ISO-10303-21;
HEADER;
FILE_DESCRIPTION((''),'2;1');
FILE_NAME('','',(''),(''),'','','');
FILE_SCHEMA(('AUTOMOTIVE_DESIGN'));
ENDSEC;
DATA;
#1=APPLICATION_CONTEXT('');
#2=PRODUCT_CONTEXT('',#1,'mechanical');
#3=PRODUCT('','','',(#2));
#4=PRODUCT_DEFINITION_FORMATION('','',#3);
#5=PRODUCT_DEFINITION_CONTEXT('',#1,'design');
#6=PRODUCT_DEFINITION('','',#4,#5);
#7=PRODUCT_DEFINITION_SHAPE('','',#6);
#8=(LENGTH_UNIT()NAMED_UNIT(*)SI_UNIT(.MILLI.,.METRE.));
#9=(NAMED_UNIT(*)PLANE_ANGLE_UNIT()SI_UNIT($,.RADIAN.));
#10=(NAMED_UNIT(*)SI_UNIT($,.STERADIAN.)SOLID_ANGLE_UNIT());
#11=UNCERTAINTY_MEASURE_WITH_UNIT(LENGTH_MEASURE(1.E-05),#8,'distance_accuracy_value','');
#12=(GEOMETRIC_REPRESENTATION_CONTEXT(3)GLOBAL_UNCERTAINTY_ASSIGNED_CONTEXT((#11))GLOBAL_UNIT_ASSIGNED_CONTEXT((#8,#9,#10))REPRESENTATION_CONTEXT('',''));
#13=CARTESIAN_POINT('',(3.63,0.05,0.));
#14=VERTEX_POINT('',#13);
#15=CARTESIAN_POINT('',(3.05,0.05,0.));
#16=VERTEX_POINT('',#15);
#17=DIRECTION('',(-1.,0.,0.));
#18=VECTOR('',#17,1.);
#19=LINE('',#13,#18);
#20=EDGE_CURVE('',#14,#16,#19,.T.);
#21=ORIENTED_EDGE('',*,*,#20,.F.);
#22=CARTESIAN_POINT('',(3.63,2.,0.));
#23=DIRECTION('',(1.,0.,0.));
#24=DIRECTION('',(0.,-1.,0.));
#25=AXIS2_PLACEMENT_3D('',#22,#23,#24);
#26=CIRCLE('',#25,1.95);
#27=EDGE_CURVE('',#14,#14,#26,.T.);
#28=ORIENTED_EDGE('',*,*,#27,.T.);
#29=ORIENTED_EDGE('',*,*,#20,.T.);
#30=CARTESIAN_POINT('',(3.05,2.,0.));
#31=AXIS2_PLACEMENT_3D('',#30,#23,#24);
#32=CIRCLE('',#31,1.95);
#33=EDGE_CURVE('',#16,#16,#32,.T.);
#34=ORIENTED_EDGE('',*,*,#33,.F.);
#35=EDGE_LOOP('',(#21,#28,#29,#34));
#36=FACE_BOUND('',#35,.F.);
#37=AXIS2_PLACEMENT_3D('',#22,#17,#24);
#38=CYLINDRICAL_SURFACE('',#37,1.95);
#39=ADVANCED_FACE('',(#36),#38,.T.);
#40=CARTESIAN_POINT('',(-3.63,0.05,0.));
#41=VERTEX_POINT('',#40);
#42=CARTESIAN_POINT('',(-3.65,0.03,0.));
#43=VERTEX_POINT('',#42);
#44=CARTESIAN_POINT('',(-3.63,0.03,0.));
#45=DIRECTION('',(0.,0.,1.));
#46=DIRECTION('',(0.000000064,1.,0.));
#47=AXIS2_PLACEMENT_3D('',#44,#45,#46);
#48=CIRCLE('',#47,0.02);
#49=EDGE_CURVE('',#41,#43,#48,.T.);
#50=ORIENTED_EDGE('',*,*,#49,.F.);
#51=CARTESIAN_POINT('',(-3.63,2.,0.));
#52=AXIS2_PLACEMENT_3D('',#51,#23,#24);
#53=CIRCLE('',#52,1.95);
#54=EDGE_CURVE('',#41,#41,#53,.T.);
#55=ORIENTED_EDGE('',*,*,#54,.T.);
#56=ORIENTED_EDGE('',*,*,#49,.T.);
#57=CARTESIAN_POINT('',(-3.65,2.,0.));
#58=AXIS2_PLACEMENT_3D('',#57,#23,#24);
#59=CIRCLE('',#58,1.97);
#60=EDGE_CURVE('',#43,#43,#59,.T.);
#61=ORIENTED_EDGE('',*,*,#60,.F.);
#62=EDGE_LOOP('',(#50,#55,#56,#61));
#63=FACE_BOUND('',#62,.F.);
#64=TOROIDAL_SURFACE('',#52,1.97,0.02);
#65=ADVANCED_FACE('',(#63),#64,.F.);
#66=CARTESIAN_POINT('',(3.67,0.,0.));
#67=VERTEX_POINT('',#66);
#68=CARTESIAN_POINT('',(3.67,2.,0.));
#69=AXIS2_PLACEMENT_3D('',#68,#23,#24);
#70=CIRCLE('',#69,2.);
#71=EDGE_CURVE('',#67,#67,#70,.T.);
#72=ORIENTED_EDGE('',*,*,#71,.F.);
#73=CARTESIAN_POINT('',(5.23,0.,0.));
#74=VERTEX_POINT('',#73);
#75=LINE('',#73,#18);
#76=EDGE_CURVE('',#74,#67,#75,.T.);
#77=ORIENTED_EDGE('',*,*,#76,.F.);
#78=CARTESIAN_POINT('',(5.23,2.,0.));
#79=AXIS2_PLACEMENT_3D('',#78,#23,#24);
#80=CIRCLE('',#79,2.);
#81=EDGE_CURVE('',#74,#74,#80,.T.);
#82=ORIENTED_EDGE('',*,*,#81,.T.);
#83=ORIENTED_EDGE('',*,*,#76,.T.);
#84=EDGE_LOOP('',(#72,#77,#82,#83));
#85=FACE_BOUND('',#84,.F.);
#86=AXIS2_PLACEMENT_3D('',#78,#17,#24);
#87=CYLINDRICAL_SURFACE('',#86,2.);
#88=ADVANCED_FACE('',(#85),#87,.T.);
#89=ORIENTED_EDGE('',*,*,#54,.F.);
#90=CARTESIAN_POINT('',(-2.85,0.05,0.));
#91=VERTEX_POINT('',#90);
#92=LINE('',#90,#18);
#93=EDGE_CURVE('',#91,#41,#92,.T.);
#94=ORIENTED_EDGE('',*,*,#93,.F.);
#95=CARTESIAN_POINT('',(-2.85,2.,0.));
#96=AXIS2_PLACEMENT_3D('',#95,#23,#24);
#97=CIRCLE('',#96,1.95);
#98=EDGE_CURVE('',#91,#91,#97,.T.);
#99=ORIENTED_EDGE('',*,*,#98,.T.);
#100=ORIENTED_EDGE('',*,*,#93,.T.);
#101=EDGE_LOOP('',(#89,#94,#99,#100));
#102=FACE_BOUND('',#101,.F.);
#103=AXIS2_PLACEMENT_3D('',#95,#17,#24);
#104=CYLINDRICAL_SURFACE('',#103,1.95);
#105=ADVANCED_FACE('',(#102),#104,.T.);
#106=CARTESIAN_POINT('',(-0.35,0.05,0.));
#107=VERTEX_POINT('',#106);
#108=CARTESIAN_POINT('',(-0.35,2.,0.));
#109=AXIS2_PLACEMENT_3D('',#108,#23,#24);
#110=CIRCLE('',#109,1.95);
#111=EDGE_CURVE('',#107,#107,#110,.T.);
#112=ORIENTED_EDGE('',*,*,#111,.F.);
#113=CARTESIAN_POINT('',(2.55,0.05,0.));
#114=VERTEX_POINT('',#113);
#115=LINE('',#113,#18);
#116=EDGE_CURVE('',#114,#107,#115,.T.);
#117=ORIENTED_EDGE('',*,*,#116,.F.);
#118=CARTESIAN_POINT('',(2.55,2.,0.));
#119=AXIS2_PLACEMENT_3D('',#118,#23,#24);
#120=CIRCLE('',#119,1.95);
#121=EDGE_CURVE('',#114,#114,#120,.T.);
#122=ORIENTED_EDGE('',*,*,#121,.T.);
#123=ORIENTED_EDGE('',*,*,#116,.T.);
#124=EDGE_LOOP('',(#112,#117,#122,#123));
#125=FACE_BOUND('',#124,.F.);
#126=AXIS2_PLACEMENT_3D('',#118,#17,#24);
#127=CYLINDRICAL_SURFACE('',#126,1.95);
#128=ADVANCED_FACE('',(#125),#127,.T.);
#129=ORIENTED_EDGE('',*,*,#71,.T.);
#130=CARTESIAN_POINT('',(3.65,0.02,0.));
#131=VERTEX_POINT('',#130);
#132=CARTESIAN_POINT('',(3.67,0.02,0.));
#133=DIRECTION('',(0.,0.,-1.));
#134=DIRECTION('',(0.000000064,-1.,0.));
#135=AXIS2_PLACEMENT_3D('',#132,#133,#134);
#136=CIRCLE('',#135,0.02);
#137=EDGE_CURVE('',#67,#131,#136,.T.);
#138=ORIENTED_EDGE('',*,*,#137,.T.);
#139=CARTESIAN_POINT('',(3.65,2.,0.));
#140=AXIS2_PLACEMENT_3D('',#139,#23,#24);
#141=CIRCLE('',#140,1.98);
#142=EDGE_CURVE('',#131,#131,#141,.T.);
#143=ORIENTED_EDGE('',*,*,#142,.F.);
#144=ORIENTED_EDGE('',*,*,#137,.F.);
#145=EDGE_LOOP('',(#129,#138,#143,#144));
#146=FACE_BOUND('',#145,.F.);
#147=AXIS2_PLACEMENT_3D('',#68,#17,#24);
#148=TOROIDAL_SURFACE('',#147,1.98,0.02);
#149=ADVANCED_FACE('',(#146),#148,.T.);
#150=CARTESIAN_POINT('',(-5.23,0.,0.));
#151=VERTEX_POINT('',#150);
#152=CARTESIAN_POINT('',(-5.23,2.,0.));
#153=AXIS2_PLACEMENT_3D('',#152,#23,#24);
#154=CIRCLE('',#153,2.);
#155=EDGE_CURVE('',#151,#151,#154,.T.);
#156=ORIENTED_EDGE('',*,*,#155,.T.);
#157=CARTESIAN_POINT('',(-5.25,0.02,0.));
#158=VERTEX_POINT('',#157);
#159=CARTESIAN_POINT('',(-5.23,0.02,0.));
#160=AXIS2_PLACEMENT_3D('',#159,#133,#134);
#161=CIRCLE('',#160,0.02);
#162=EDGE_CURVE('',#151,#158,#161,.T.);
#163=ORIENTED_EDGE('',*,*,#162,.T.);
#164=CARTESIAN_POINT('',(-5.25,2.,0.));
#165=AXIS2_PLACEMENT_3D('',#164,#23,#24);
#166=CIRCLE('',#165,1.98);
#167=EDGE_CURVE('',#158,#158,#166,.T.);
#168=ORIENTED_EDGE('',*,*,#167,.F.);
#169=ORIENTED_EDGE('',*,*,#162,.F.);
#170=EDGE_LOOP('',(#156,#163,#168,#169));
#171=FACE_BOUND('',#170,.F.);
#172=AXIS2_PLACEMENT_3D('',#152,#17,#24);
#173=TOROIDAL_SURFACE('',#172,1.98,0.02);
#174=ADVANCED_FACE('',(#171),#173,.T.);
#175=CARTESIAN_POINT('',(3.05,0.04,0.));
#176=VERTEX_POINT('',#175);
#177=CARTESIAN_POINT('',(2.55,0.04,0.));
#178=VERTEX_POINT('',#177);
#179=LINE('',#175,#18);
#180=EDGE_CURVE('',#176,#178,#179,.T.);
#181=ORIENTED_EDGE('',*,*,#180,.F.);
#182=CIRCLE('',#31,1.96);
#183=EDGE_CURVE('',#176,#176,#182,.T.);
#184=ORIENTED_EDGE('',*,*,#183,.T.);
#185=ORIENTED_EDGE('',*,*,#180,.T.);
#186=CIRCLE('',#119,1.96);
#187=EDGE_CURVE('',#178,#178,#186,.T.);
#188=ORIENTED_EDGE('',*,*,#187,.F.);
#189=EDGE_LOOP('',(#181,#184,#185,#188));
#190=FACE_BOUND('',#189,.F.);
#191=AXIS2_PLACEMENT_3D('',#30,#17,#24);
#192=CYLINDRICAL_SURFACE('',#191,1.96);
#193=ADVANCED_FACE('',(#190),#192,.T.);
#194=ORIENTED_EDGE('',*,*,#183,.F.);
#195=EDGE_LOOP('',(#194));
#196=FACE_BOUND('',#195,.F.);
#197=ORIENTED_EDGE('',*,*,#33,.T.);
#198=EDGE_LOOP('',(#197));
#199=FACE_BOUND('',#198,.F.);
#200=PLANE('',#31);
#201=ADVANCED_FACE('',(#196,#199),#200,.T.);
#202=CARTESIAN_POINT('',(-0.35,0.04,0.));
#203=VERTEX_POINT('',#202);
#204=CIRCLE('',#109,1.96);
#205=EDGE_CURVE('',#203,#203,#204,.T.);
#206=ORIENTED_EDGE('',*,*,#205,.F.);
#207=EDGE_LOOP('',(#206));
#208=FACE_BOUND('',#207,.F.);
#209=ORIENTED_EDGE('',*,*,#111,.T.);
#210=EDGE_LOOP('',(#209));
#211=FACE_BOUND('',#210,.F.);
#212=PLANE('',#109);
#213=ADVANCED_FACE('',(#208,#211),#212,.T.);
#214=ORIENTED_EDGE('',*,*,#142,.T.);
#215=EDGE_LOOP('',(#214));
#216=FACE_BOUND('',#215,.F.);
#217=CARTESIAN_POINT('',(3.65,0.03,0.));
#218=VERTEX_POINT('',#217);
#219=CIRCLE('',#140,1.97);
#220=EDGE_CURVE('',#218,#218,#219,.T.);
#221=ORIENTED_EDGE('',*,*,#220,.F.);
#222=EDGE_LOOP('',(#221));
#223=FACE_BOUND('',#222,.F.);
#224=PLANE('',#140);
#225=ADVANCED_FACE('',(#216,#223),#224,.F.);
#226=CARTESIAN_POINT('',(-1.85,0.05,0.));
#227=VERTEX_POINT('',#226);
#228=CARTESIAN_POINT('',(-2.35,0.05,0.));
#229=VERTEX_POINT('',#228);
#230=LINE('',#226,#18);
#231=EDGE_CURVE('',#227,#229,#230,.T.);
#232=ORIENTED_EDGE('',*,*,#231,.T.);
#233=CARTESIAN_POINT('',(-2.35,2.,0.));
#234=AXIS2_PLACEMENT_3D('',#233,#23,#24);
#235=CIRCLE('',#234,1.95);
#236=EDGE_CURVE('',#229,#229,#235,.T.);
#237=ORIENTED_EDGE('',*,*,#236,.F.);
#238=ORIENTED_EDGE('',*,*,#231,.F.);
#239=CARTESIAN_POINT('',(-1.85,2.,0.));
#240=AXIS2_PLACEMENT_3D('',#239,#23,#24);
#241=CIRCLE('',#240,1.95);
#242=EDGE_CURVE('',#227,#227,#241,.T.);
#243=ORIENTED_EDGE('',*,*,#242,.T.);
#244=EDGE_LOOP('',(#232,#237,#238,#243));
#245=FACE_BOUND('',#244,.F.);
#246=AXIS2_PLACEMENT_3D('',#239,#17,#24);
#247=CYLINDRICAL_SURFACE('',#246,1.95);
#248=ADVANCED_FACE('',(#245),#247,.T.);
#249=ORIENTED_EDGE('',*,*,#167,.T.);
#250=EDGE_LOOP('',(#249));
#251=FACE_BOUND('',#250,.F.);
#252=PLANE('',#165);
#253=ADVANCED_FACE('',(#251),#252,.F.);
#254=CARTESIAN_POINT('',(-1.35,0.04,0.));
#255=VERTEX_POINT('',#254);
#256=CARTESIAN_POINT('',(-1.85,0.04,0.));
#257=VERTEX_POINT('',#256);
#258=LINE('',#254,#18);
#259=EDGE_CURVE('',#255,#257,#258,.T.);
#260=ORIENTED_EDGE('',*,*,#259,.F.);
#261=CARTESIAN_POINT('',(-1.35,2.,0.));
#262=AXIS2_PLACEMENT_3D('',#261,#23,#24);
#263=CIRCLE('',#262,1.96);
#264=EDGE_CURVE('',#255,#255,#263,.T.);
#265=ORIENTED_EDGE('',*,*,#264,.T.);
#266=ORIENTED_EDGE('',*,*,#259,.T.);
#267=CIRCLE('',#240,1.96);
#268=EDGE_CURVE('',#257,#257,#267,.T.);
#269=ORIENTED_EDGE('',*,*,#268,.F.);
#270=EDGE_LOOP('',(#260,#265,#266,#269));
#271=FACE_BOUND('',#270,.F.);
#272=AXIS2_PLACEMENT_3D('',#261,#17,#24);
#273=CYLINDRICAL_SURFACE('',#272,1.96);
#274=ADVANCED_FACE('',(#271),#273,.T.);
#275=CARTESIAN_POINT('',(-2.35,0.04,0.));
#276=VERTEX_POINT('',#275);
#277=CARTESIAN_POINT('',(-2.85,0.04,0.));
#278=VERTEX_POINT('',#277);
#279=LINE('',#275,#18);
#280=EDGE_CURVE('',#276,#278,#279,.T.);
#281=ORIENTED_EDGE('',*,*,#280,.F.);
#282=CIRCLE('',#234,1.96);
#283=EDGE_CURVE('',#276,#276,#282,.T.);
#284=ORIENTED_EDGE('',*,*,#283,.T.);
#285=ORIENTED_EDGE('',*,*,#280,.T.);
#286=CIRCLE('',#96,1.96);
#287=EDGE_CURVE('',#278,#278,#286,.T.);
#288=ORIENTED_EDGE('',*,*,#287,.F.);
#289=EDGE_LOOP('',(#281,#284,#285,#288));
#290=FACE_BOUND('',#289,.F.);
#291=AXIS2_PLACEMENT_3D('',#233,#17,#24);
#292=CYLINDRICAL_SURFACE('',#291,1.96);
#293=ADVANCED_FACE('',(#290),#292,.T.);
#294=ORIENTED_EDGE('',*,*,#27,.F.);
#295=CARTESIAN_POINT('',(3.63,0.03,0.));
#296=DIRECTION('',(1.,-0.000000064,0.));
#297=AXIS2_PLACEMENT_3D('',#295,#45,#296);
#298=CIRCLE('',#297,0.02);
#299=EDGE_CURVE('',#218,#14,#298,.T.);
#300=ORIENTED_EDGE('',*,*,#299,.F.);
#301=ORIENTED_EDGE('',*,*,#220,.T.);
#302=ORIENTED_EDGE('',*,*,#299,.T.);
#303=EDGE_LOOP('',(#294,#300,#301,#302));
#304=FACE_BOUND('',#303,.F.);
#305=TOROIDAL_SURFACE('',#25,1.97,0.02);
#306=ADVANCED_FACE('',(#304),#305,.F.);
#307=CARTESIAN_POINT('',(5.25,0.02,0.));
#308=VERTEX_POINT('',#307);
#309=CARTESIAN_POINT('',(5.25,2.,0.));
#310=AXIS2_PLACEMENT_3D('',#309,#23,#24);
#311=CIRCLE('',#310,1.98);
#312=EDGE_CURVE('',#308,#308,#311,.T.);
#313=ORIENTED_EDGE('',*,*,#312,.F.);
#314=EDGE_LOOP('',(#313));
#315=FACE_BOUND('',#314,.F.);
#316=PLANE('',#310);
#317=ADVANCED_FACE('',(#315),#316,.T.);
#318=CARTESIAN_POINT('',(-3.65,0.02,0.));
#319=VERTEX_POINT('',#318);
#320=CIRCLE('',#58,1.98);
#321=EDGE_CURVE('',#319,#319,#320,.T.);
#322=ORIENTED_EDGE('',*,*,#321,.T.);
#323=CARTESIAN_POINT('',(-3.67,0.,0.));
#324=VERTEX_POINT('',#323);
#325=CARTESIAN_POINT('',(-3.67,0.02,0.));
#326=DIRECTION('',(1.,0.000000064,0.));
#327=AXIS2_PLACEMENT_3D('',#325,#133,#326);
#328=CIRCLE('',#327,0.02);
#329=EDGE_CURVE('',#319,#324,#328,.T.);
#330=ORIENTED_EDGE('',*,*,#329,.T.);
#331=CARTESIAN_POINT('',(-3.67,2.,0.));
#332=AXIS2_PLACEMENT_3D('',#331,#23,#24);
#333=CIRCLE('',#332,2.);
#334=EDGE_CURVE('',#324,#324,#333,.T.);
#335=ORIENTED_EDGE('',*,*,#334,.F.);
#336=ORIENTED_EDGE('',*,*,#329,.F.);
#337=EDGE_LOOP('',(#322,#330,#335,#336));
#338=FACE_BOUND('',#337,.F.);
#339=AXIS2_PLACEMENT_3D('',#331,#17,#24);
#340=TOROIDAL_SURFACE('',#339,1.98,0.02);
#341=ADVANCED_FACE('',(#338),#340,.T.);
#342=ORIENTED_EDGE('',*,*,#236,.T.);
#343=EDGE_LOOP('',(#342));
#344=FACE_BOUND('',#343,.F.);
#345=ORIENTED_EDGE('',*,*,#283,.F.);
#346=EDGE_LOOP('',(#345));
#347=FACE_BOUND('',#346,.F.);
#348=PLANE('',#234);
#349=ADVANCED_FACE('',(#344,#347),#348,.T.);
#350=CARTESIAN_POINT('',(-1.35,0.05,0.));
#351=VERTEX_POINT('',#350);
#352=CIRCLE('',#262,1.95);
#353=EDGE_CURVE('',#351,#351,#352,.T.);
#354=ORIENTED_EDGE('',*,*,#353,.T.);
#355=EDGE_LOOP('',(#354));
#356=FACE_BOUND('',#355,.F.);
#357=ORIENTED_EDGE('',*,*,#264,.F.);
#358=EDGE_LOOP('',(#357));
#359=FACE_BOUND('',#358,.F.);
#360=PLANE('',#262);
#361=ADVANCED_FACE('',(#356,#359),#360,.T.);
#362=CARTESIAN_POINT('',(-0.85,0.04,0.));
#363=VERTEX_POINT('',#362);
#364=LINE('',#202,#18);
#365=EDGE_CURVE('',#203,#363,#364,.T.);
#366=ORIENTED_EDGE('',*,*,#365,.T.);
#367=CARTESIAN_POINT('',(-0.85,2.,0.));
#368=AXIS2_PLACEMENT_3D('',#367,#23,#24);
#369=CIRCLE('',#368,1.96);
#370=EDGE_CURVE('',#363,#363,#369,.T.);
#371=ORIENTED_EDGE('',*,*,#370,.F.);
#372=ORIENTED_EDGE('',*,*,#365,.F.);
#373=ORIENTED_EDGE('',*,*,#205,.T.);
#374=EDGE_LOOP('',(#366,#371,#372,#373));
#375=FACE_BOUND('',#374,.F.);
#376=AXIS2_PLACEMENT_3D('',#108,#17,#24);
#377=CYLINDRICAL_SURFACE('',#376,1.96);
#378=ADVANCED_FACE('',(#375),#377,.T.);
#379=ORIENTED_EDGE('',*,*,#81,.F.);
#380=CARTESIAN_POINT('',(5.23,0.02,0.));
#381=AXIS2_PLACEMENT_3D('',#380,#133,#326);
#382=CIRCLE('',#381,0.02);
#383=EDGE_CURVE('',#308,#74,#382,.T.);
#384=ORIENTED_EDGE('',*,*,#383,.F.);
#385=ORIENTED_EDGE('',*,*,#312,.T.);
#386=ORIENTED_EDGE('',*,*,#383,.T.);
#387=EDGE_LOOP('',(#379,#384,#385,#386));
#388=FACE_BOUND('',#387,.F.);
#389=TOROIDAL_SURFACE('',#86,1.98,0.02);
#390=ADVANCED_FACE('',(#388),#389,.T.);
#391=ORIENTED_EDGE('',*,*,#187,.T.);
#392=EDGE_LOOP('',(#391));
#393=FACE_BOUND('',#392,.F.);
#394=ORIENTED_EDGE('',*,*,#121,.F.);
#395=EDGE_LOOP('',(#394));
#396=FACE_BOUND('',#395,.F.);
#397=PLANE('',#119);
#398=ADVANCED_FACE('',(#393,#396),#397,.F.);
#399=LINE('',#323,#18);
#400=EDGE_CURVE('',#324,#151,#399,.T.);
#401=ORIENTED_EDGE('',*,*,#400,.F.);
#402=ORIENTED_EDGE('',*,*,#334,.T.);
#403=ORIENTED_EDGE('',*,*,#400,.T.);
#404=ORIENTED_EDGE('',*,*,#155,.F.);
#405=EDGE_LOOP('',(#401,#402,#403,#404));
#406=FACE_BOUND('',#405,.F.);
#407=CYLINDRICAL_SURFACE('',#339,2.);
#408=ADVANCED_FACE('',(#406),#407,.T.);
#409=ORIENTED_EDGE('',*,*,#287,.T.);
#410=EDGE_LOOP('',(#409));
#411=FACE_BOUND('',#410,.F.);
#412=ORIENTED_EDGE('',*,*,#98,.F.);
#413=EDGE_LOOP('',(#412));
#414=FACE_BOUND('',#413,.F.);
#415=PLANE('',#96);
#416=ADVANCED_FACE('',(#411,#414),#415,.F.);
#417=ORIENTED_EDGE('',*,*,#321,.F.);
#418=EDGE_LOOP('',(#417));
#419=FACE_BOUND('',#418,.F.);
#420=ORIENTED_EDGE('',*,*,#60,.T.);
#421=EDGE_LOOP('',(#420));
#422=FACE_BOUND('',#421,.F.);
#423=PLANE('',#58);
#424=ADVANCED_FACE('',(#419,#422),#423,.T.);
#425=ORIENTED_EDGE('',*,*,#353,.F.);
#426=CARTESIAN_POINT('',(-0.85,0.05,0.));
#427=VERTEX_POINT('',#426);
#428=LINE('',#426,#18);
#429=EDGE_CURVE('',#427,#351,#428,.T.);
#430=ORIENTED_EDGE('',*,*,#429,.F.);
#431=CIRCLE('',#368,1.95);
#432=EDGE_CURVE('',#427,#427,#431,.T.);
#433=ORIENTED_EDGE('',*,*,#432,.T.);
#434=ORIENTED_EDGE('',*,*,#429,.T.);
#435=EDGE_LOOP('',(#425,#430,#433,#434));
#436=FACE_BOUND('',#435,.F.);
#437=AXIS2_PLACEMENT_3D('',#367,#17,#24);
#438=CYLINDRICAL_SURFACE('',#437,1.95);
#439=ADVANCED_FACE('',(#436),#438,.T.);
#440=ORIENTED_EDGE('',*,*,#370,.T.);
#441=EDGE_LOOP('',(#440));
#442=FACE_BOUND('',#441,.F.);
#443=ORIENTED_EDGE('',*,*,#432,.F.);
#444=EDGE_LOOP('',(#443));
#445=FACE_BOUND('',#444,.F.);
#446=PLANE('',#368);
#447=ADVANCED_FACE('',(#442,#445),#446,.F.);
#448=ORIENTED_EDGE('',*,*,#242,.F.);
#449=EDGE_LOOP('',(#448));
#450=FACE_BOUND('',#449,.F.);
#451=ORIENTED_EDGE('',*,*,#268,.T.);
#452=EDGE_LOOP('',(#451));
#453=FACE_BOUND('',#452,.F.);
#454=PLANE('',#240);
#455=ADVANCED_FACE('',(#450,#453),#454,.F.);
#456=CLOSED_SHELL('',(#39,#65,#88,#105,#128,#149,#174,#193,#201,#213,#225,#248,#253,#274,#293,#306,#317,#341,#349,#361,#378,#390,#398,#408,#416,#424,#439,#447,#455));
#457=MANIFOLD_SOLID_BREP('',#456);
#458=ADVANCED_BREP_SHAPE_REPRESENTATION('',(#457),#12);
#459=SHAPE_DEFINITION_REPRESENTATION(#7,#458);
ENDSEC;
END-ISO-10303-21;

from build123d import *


with BuildPart() as part:
    # Sketch1 → Revolve1 (revolve)
    with BuildSketch(Plane.XY):
        with BuildLine():
            Line((-5.25, 2), (5.25, 2))
            Line((5.25, 2), (5.25, 0.02))
            ThreePointArc((5.25, 0.02), (5.244142136, 0.005857864), (5.23, 0))
            Line((5.23, 0), (3.67, 0))
            ThreePointArc((3.67, 0), (3.655857864, 0.005857864), (3.65, 0.02))
            Line((3.65, 0.02), (3.65, 0.03))
            ThreePointArc((3.65, 0.03), (3.644142136, 0.044142136), (3.63, 0.05))
            Line((3.63, 0.05), (3.05, 0.05))
            Line((3.05, 0.05), (3.05, 0.04))
            Line((3.05, 0.04), (2.55, 0.04))
            Line((2.55, 0.04), (2.55, 0.05))
            Line((2.55, 0.05), (-0.35, 0.05))
            Line((-0.35, 0.05), (-0.35, 0.04))
            Line((-0.35, 0.04), (-0.85, 0.04))
            Line((-0.85, 0.04), (-0.85, 0.05))
            Line((-0.85, 0.05), (-1.35, 0.05))
            Line((-1.35, 0.05), (-1.35, 0.04))
            Line((-1.35, 0.04), (-1.85, 0.04))
            Line((-1.85, 0.04), (-1.85, 0.05))
            Line((-1.85, 0.05), (-2.35, 0.05))
            Line((-2.35, 0.05), (-2.35, 0.04))
            Line((-2.35, 0.04), (-2.85, 0.04))
            Line((-2.85, 0.04), (-2.85, 0.05))
            Line((-2.85, 0.05), (-3.63, 0.05))
            ThreePointArc((-3.63, 0.05), (-3.644142136, 0.044142136), (-3.65, 0.03))
            Line((-3.65, 0.03), (-3.65, 0.02))
            ThreePointArc((-3.65, 0.02), (-3.655857864, 0.005857864), (-3.67, 0))
            Line((-3.67, 0), (-5.23, 0))
            ThreePointArc((-5.23, 0), (-5.244142136, 0.005857864), (-5.25, 0.02))
            Line((-5.25, 0.02), (-5.25, 2))
        make_face()
    revolve(axis=Axis((-5.25, 2, 0), (1, 0, 0)))


solid = part.part
